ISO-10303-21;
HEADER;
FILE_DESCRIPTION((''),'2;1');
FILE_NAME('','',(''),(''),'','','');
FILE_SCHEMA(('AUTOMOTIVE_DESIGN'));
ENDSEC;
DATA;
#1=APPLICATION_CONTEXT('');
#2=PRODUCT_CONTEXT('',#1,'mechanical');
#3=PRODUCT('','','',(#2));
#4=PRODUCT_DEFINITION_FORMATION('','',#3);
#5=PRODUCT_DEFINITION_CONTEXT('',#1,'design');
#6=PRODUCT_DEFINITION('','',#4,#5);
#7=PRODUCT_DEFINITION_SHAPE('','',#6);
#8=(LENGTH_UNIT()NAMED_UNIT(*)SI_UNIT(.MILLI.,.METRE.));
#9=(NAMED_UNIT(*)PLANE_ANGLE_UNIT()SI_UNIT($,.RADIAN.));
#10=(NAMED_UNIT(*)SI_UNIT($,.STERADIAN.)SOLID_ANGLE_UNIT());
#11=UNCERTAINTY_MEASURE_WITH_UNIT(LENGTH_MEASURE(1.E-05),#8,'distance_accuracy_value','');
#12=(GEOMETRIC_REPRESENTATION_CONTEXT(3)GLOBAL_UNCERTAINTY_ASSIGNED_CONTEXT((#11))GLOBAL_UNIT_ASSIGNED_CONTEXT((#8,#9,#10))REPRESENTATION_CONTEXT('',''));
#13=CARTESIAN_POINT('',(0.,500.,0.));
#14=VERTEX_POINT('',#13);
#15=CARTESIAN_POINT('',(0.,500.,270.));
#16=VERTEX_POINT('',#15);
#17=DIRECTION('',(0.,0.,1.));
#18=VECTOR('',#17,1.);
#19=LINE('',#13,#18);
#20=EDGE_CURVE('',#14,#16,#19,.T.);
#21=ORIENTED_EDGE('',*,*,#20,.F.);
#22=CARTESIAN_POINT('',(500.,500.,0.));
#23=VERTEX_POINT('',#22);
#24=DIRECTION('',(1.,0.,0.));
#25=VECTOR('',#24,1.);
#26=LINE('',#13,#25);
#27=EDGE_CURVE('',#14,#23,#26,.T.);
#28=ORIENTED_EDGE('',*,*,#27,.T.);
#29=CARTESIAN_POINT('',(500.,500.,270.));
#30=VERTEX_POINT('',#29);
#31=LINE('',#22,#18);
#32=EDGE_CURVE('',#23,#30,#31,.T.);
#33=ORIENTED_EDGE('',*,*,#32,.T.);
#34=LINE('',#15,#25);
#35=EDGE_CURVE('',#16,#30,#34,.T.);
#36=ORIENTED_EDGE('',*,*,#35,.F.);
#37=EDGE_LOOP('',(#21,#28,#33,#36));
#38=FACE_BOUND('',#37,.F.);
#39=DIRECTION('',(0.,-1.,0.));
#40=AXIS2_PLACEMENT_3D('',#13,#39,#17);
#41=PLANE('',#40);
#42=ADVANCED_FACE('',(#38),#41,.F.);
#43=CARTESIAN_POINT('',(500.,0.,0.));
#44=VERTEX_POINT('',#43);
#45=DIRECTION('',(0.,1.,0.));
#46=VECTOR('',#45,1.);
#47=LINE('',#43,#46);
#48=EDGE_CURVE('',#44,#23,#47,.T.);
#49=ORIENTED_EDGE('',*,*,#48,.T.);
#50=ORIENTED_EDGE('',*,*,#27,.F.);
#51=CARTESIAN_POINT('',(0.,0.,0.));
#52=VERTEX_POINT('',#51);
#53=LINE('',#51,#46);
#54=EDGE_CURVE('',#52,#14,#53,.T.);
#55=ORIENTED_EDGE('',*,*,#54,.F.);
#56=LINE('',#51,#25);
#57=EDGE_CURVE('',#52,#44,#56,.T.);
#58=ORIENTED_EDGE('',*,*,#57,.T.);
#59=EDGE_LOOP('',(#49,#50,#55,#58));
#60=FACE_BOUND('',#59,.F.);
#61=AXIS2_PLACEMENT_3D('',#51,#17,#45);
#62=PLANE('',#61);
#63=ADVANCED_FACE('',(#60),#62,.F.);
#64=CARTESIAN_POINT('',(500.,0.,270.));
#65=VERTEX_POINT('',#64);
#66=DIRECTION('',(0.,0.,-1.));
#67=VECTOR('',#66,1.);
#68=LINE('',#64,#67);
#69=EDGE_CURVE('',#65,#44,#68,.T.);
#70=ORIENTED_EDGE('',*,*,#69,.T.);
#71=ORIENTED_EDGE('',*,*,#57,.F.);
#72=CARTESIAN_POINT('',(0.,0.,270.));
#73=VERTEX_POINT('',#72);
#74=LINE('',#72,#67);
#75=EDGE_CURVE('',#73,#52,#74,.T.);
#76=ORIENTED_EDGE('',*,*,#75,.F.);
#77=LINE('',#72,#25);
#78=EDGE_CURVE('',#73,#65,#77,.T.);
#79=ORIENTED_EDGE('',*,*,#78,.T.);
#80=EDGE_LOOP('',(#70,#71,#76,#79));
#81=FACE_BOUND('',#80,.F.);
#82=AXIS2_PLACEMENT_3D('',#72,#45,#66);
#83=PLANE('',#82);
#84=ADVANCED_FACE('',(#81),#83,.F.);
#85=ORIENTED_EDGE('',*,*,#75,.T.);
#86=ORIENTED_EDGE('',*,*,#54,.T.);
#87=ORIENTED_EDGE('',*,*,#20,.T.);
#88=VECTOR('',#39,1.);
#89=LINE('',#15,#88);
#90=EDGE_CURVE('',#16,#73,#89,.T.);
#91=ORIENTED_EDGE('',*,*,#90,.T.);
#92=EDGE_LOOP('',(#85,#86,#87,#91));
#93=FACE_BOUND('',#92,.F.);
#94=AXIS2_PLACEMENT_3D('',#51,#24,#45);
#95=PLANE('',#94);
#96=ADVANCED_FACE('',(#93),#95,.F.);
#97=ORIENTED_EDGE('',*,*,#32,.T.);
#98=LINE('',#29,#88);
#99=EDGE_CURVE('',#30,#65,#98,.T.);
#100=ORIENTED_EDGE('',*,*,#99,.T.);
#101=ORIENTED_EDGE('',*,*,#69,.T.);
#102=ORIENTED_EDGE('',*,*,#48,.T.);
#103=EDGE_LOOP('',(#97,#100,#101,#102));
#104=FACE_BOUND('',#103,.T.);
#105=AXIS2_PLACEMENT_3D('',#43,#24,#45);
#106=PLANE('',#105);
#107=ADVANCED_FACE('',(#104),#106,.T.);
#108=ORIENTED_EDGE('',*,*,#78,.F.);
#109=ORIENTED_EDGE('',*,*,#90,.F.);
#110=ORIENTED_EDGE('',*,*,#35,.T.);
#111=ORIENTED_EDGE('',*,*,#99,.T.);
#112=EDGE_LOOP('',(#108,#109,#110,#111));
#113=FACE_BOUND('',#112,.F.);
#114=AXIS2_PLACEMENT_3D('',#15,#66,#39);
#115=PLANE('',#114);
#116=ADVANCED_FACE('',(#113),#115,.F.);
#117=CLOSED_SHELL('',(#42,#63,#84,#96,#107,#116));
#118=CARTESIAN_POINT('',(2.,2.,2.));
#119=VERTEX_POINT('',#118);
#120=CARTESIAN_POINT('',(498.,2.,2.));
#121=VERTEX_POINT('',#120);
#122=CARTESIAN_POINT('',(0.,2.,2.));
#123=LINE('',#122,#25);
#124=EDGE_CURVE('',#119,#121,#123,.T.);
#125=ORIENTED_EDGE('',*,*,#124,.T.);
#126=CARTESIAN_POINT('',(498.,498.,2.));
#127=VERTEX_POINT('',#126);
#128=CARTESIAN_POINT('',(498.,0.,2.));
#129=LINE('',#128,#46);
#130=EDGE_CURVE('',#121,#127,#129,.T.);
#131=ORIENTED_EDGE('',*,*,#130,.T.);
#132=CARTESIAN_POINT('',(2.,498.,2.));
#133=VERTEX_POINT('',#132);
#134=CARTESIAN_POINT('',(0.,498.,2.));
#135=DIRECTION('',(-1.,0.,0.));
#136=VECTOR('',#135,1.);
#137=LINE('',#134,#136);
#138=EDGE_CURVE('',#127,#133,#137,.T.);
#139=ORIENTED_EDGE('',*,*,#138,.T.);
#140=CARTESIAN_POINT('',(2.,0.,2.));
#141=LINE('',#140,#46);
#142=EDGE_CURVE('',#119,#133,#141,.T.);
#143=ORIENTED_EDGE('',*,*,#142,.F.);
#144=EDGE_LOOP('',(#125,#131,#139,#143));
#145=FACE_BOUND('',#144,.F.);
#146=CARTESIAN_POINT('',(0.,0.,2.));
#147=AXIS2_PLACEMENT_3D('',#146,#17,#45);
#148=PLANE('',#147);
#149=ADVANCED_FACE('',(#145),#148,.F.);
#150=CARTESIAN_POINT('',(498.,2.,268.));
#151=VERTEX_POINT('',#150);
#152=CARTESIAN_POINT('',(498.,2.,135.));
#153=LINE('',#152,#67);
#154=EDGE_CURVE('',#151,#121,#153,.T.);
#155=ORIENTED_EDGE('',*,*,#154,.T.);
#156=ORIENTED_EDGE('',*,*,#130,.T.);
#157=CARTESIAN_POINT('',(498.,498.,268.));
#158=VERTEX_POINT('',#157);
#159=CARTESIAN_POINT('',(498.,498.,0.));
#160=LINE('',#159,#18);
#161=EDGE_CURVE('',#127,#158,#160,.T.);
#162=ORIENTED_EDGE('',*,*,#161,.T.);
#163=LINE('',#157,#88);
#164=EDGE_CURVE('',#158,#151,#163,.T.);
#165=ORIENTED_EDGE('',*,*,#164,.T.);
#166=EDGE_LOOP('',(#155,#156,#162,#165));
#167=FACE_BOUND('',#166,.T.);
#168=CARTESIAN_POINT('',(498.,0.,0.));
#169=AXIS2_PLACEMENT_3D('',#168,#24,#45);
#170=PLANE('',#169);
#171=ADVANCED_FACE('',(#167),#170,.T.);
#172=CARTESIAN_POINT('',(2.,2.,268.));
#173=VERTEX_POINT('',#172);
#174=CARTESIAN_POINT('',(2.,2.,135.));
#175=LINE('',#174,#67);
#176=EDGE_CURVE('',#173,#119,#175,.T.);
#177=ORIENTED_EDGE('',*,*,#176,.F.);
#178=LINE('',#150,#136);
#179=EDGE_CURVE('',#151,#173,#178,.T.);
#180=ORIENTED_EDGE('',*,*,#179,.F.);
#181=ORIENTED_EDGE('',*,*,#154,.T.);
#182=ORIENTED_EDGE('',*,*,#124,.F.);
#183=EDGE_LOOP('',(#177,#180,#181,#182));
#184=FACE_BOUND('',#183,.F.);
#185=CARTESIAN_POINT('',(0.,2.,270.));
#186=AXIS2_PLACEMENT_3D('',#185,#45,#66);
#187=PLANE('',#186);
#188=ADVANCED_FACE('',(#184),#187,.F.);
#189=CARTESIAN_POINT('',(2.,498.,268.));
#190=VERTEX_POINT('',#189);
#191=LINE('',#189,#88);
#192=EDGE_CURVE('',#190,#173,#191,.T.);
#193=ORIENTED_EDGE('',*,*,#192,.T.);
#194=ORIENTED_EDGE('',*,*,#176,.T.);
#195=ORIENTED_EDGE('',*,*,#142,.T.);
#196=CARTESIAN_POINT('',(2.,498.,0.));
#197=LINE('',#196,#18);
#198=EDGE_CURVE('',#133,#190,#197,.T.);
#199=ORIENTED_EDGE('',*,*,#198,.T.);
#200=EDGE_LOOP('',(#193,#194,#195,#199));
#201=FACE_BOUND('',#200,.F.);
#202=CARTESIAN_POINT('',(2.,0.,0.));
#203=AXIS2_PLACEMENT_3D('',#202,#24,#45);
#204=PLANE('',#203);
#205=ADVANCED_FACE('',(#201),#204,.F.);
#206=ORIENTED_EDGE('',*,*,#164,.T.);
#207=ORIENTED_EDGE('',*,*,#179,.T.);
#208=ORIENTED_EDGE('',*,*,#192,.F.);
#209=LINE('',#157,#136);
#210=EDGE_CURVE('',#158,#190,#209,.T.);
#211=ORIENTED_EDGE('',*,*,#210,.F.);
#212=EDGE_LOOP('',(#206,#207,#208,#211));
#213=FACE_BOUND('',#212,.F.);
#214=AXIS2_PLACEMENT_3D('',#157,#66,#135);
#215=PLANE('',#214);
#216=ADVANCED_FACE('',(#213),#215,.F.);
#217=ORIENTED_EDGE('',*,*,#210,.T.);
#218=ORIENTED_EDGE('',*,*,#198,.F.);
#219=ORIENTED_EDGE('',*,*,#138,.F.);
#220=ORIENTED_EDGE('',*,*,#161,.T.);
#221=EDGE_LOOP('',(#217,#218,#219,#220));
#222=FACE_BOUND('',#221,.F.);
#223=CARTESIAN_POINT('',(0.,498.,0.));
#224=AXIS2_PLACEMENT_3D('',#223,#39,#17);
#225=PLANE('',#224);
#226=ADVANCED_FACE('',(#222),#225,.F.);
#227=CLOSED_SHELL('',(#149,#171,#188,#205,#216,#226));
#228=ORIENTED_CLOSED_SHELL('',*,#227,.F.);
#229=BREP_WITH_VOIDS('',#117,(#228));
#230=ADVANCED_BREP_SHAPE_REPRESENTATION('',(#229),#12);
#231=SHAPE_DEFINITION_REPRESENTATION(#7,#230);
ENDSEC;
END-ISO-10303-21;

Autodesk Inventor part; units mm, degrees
ref_plane "YZ Plane" through (0, 0, 0) normal (1, 0, 0) x (0, 1, 0)
ref_plane "XZ Plane" through (0, 0, 0) normal (0, 1, 0) x (-1, 0, 0)
ref_plane "XY Plane" through (0, 0, 0) normal (0, 0, 1) x (1, 0, 0)
sketch "Sketch1" plane through (0, 0, 0) normal (1, 0, 0) x (0, 1, 0)
  line L0 (0, 0) -> (500, 0)
  line L1 (500, 0) -> (500, 270)
  line L2 (500, 270) -> (0, 270)
  line L3 (0, 270) -> (0, 0)
  dimension "d0" = 500
  dimension "d1" = 270
extrude "Extrusion1" add sketch "Sketch1" along normal blind 500
shell "Shell1" thickness 2 removed faces 1 at (333.3333, 333.3333, 270)
sketch "Sketch2" plane through (0, 500, 270) normal (0, 1, 0) x (1, 0, 0)
  point P0 (0, 270)
sketch "Sketch3" plane through (2, 498, 2) normal (0, -1, 0) x (1, 0, 0)
  line L0 (0, 268) -> (496, 268) projected
  line L1 (496, 0) -> (496, 268) projected
  line L2 (0, 268) -> (496, 268)
  line L3 (496, 268) -> (496, 266)
  line L4 (496, 266) -> (0, 266)
  line L5 (0, 266) -> (0, 268)
  point P0 (-2, -2)
  dimension "d5" = 2
extrude "Extrusion2" add sketch "Sketch3" along normal blind 496
properties part number "Caja grande"
